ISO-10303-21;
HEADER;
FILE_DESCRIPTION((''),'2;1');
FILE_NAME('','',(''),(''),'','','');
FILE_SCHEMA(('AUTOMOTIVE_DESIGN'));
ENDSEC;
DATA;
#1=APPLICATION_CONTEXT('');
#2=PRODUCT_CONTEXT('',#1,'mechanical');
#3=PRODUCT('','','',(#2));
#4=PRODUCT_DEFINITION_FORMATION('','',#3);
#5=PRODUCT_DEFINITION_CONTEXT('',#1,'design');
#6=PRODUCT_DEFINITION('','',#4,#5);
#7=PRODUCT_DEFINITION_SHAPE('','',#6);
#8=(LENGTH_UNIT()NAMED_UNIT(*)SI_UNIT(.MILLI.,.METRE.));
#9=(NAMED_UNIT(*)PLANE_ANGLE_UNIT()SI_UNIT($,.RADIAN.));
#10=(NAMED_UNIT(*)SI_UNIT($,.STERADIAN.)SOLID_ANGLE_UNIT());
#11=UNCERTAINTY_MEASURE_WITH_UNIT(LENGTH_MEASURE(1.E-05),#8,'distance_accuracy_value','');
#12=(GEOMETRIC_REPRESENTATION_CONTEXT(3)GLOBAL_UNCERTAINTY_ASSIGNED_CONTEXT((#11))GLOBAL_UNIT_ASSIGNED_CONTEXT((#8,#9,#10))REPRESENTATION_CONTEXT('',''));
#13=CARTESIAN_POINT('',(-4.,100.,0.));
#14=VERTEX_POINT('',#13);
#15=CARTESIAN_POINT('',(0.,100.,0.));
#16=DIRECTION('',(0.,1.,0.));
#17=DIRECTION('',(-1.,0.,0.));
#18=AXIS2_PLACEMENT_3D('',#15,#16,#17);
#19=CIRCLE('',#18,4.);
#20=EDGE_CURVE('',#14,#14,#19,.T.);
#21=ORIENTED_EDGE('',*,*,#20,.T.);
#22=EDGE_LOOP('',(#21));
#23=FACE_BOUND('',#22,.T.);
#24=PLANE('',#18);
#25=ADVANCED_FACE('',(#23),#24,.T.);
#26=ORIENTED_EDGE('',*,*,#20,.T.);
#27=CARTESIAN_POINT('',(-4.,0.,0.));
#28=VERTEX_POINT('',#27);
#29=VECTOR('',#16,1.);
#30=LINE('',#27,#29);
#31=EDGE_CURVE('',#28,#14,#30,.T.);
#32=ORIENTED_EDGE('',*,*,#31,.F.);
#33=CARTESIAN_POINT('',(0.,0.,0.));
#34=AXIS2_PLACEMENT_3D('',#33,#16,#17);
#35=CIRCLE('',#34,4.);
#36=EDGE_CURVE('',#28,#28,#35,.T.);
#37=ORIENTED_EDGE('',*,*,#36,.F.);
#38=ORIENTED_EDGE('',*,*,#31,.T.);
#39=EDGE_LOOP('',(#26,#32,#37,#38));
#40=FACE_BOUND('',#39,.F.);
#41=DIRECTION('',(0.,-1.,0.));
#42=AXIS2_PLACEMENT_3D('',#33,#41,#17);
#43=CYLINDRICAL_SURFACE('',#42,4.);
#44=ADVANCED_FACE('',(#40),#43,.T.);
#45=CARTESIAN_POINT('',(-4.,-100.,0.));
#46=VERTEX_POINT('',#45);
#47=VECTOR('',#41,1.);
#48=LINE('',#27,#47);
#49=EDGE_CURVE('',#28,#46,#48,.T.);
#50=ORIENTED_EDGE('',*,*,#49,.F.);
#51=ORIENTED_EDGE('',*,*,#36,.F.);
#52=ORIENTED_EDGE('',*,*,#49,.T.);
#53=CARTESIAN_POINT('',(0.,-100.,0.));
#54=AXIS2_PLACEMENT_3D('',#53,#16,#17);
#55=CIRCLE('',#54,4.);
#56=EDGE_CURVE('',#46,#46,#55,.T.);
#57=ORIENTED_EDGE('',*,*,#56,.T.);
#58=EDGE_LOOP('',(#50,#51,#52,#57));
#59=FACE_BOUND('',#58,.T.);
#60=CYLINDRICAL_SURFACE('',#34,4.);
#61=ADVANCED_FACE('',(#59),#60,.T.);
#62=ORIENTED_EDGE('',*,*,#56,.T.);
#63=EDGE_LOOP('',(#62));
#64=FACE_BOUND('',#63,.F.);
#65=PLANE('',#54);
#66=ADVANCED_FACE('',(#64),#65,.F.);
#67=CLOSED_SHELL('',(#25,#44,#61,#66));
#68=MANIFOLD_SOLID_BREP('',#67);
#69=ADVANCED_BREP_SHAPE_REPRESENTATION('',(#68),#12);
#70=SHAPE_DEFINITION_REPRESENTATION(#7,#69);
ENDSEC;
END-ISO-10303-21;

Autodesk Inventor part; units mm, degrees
ref_plane "YZ Plane" through (0, 0, 0) normal (1, 0, 0) x (0, 1, 0)
ref_plane "XZ Plane" through (0, 0, 0) normal (0, 1, 0) x (-1, 0, 0)
ref_plane "XY Plane" through (0, 0, 0) normal (0, 0, 1) x (1, 0, 0)
sketch "草圖1" plane through (0, 0, 0) normal (0, 1, 0) x (-1, 0, 0)
  circle A0 centre (0, 0) radius 4
  dimension "d0" = 8
extrude "擠出1" add sketch "草圖1" along normal mid plane 200
properties part number "馬達出軸8" material "鋼、碳鋼"
